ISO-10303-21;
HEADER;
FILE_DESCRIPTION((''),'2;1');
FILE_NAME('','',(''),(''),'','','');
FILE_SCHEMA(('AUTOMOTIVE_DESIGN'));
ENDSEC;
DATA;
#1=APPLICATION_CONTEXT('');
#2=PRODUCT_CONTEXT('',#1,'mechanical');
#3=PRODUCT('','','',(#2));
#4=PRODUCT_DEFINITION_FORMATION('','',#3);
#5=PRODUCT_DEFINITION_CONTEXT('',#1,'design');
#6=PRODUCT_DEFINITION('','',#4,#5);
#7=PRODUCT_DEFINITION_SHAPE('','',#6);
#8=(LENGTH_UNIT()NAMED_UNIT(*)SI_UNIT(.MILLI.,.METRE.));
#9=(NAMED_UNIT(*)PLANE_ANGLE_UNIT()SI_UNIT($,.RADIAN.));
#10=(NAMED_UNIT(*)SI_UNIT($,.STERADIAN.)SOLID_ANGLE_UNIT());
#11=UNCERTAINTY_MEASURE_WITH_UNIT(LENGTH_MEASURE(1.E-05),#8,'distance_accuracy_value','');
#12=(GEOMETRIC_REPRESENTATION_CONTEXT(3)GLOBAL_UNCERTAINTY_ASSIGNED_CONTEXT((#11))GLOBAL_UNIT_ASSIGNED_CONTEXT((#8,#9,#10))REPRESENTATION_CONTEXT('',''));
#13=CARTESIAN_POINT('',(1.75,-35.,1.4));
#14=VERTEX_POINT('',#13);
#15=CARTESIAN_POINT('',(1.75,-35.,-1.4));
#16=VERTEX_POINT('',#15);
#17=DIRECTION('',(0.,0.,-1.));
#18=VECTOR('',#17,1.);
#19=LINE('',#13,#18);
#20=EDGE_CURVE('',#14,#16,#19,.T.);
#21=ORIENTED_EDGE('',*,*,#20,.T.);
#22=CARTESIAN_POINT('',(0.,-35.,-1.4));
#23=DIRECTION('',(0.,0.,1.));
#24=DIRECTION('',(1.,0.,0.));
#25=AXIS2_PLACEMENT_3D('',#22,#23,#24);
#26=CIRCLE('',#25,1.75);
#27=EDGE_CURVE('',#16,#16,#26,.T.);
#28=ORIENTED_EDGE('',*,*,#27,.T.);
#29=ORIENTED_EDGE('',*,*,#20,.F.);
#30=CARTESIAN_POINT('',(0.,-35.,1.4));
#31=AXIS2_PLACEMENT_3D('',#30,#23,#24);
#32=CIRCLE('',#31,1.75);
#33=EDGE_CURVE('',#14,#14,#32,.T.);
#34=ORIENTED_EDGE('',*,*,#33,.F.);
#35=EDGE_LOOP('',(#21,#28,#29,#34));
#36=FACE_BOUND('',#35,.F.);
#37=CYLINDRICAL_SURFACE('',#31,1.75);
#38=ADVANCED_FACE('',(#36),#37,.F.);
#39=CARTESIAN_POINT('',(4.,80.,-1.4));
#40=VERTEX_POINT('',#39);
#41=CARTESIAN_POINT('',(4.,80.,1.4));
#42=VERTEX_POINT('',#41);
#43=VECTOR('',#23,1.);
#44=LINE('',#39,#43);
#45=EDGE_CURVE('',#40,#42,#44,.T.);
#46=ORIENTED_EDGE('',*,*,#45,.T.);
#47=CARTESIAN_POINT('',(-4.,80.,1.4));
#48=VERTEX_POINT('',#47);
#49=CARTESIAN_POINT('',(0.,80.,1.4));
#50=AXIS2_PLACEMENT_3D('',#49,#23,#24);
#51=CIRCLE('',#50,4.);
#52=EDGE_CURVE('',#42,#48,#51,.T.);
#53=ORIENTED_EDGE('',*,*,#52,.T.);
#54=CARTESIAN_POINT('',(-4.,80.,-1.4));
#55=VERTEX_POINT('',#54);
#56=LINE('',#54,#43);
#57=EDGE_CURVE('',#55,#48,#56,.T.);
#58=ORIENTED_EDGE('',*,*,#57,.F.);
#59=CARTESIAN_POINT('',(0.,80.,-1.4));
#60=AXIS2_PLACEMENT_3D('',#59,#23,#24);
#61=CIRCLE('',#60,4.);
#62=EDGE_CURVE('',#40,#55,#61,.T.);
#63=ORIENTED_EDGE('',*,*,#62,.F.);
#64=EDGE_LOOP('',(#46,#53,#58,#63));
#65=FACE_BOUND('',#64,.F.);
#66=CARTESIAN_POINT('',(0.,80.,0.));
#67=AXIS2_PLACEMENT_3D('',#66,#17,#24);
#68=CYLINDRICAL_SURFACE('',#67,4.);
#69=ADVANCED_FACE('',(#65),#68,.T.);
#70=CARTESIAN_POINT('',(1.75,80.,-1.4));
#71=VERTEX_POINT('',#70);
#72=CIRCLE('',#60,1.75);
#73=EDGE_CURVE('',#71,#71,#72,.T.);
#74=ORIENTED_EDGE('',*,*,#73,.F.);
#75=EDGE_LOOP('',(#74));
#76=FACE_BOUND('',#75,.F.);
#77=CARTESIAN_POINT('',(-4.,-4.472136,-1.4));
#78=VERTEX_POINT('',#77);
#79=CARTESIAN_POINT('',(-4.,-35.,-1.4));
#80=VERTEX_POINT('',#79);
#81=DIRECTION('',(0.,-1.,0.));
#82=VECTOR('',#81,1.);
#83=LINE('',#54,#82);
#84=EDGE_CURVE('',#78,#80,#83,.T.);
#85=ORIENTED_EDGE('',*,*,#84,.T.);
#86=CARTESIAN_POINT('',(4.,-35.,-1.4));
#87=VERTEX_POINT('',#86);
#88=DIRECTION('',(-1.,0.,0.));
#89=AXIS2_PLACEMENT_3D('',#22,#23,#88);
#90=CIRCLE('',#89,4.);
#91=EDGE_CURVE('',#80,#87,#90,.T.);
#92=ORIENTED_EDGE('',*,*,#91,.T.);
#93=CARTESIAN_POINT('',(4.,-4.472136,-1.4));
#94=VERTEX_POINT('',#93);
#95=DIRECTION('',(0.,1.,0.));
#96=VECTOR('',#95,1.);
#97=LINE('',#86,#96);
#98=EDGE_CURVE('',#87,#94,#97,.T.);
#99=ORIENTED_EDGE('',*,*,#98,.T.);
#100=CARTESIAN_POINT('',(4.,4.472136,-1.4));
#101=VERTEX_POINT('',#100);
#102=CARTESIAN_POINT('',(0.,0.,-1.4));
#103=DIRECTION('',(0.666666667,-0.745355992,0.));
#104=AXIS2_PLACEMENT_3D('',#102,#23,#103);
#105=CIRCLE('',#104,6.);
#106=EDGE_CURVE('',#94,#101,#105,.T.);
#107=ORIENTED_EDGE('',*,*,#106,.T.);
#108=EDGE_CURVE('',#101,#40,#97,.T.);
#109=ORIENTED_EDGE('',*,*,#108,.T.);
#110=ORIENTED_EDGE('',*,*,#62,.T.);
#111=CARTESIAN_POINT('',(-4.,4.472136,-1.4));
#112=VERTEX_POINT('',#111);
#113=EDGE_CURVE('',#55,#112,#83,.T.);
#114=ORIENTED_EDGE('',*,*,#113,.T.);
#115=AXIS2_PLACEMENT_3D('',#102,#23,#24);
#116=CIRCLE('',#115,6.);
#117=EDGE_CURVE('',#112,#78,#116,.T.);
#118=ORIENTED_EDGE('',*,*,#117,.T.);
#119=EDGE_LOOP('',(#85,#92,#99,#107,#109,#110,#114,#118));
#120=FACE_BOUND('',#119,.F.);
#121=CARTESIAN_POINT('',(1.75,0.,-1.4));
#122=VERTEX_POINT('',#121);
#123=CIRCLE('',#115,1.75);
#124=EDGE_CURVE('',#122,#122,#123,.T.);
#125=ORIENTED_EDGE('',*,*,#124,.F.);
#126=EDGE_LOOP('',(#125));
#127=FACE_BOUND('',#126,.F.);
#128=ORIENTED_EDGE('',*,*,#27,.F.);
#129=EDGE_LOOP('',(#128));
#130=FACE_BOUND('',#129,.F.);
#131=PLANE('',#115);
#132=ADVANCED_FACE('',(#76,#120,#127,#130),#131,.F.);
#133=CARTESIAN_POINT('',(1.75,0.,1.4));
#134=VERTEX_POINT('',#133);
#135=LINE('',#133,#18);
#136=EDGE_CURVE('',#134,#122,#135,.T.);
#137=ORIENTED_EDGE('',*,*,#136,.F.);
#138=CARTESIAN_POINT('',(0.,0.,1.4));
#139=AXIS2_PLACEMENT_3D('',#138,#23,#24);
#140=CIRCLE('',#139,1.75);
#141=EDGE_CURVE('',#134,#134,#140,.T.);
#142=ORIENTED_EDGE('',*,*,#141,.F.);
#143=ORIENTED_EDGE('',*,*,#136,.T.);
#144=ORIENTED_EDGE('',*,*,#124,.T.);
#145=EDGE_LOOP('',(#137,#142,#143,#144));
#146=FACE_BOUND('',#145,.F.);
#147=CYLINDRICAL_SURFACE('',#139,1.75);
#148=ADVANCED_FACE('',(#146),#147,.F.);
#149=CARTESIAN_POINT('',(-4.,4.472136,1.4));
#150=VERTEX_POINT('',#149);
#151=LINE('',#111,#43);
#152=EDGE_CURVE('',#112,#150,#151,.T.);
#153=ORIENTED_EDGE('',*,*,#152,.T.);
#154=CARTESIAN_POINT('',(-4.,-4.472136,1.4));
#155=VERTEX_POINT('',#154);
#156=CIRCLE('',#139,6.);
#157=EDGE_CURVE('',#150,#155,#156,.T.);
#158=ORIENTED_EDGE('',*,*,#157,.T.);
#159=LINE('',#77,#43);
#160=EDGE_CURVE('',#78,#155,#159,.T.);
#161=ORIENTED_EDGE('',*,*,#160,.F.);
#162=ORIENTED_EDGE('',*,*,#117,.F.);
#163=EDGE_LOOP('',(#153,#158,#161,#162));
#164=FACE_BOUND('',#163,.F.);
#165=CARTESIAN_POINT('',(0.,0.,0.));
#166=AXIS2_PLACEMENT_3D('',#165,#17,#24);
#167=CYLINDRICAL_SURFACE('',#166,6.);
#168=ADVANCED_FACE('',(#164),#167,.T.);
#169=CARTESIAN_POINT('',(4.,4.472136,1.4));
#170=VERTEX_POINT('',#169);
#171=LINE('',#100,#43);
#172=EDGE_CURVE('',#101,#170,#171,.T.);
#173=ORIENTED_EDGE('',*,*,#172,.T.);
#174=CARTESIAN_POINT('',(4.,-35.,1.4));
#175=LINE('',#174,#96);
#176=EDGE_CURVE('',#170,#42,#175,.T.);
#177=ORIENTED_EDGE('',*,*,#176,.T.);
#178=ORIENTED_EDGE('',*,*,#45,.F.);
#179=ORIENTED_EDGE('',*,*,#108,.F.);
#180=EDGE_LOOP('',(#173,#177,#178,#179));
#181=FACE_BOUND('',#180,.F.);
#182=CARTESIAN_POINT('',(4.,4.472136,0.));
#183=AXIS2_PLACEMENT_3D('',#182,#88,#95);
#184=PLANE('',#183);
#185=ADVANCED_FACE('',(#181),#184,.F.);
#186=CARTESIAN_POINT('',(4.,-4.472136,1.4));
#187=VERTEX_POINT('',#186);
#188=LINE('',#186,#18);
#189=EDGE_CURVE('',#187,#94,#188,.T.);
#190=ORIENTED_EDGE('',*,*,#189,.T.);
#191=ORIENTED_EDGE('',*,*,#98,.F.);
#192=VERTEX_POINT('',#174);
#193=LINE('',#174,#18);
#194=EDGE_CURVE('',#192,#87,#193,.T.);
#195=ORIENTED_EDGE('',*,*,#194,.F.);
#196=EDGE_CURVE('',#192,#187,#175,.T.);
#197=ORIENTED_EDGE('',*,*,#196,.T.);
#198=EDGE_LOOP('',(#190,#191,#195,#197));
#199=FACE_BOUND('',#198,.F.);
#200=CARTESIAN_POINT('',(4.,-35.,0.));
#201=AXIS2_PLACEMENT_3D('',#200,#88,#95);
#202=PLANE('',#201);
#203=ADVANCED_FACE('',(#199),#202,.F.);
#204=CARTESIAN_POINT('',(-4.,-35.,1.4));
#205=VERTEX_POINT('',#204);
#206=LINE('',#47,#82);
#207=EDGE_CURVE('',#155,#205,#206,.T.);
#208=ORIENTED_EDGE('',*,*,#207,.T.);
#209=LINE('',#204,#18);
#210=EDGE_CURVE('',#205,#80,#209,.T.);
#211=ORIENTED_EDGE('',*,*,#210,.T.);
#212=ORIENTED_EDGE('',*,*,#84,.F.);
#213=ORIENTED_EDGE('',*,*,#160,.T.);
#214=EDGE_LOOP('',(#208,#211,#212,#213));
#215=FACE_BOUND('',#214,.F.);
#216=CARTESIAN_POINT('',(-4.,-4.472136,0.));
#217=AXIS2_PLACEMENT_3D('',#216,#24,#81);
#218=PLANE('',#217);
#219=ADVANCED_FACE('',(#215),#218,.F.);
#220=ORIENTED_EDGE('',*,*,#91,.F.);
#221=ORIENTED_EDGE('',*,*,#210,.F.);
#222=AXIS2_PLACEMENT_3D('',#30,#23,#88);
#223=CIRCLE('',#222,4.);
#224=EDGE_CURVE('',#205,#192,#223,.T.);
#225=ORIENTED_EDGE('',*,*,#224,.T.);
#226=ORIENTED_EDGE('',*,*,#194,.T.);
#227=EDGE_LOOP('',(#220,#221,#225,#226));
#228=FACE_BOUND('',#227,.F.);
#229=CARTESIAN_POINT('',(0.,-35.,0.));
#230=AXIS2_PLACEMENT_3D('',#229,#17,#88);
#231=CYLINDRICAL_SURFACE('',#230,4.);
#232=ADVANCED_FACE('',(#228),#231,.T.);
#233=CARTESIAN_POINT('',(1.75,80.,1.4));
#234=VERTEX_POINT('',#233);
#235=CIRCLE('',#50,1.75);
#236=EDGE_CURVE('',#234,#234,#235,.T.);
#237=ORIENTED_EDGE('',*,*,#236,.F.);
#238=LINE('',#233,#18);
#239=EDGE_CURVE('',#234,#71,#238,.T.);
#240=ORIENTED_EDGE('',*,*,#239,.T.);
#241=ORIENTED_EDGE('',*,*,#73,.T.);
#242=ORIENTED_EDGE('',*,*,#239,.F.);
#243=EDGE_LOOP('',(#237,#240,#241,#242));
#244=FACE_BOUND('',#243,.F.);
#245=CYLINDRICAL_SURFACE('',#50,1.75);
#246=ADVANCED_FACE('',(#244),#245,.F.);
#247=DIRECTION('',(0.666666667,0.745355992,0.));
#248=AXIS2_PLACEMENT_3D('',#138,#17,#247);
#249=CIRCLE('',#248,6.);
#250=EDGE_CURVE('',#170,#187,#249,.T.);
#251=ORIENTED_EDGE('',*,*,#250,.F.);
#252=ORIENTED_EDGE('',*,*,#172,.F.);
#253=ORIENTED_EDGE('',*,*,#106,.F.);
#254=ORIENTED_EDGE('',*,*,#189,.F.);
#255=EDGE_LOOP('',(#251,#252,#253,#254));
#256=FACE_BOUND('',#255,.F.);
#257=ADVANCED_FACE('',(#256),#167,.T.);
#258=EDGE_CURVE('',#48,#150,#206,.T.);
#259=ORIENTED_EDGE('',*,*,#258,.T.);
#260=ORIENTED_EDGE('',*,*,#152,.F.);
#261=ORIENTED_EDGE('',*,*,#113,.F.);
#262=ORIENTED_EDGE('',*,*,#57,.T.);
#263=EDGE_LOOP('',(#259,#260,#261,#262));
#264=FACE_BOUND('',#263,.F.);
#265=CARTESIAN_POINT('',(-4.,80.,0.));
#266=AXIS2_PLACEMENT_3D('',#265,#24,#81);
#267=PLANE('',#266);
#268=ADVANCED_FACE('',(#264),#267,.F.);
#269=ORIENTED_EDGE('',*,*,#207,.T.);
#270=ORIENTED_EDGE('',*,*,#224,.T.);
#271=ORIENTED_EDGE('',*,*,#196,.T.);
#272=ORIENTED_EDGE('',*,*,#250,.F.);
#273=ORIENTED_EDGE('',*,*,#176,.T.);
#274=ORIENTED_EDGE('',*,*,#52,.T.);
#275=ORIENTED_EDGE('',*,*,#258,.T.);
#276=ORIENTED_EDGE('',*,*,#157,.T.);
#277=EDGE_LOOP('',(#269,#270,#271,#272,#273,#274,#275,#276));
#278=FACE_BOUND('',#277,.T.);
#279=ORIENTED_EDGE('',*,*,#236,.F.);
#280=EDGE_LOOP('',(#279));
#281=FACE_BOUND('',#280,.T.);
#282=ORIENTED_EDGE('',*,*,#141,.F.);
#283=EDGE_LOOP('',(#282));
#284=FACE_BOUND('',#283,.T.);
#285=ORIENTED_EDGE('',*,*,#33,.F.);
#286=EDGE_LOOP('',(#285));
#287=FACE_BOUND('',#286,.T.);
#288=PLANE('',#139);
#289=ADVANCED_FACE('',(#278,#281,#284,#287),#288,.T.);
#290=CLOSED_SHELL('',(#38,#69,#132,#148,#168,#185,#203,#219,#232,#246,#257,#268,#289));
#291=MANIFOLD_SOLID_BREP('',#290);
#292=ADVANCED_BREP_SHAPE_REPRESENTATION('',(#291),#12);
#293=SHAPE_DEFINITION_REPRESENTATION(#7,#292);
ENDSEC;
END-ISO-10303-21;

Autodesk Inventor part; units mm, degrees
ref_plane "YZ Plane" through (0, 0, 0) normal (1, 0, 0) x (0, 1, 0)
ref_plane "XZ Plane" through (0, 0, 0) normal (0, 1, 0) x (-1, 0, 0)
ref_plane "XY Plane" through (0, 0, 0) normal (0, 0, 1) x (1, 0, 0)
sketch "Sketch1" plane through (0, 0, 0) normal (0, 0, 1) x (1, 0, 0)
  circle A0 centre (0, 0) radius 6
  line L0 (0, -35) -> (0, 80) construction
  line L1 (4, -35) -> (4, 80)
  line L2 (-4, 80) -> (-4, -35)
  arc A1 (-4, -35) -> (4, -35) centre (0, -35) ccw
  arc A2 (4, 80) -> (-4, 80) centre (0, 80) ccw
  point P0 (0, 22.5)
  dimension "d0" = 12
  dimension "d1" = 8
  dimension "d2" = 80
  dimension "d12" = 35
extrude "Extrusion1" add sketch "Sketch1" along normal mid plane 2.8
sketch "Sketch2" plane through (0, 0, 1.4) normal (0, 0, 1) x (1, 0, 0)
  arc A0 (4, 80) -> (-4, 80) centre (0, 80) ccw construction
  arc A1 (-4, 4.4721) -> (4, 4.4721) centre (0, 0) ccw construction
  circle A2 centre (0, 0) radius 1.75
  circle A3 centre (0, 80) radius 1.75
  line L0 (0, 12.7) -> (0, 5.7) construction
  line L1 (-1.3, 11.4) -> (-1.3, 7)
  line L2 (1.3, 7) -> (1.3, 11.4)
  arc A4 (1.3, 11.4) -> (-1.3, 11.4) centre (0, 11.4) ccw
  arc A5 (-1.3, 7) -> (1.3, 7) centre (0, 7) ccw
  arc A6 (-4, -35) -> (4, -35) centre (0, -35) ccw construction
  circle A7 centre (0, -35) radius 1.75
  point P0 (0, 9.2)
  dimension "d5" = 7
  dimension "d6" = 2.6
  dimension "d7" = 7
  dimension "d8" = 3.5
  dimension "d9" = 3.5
  dimension "d13" = 3.5
extrude "Extrusion2" cut sketch "Sketch2" against normal blind 3.5 contours A2 | A3 | A7
equation "\"d10\" = d13"
